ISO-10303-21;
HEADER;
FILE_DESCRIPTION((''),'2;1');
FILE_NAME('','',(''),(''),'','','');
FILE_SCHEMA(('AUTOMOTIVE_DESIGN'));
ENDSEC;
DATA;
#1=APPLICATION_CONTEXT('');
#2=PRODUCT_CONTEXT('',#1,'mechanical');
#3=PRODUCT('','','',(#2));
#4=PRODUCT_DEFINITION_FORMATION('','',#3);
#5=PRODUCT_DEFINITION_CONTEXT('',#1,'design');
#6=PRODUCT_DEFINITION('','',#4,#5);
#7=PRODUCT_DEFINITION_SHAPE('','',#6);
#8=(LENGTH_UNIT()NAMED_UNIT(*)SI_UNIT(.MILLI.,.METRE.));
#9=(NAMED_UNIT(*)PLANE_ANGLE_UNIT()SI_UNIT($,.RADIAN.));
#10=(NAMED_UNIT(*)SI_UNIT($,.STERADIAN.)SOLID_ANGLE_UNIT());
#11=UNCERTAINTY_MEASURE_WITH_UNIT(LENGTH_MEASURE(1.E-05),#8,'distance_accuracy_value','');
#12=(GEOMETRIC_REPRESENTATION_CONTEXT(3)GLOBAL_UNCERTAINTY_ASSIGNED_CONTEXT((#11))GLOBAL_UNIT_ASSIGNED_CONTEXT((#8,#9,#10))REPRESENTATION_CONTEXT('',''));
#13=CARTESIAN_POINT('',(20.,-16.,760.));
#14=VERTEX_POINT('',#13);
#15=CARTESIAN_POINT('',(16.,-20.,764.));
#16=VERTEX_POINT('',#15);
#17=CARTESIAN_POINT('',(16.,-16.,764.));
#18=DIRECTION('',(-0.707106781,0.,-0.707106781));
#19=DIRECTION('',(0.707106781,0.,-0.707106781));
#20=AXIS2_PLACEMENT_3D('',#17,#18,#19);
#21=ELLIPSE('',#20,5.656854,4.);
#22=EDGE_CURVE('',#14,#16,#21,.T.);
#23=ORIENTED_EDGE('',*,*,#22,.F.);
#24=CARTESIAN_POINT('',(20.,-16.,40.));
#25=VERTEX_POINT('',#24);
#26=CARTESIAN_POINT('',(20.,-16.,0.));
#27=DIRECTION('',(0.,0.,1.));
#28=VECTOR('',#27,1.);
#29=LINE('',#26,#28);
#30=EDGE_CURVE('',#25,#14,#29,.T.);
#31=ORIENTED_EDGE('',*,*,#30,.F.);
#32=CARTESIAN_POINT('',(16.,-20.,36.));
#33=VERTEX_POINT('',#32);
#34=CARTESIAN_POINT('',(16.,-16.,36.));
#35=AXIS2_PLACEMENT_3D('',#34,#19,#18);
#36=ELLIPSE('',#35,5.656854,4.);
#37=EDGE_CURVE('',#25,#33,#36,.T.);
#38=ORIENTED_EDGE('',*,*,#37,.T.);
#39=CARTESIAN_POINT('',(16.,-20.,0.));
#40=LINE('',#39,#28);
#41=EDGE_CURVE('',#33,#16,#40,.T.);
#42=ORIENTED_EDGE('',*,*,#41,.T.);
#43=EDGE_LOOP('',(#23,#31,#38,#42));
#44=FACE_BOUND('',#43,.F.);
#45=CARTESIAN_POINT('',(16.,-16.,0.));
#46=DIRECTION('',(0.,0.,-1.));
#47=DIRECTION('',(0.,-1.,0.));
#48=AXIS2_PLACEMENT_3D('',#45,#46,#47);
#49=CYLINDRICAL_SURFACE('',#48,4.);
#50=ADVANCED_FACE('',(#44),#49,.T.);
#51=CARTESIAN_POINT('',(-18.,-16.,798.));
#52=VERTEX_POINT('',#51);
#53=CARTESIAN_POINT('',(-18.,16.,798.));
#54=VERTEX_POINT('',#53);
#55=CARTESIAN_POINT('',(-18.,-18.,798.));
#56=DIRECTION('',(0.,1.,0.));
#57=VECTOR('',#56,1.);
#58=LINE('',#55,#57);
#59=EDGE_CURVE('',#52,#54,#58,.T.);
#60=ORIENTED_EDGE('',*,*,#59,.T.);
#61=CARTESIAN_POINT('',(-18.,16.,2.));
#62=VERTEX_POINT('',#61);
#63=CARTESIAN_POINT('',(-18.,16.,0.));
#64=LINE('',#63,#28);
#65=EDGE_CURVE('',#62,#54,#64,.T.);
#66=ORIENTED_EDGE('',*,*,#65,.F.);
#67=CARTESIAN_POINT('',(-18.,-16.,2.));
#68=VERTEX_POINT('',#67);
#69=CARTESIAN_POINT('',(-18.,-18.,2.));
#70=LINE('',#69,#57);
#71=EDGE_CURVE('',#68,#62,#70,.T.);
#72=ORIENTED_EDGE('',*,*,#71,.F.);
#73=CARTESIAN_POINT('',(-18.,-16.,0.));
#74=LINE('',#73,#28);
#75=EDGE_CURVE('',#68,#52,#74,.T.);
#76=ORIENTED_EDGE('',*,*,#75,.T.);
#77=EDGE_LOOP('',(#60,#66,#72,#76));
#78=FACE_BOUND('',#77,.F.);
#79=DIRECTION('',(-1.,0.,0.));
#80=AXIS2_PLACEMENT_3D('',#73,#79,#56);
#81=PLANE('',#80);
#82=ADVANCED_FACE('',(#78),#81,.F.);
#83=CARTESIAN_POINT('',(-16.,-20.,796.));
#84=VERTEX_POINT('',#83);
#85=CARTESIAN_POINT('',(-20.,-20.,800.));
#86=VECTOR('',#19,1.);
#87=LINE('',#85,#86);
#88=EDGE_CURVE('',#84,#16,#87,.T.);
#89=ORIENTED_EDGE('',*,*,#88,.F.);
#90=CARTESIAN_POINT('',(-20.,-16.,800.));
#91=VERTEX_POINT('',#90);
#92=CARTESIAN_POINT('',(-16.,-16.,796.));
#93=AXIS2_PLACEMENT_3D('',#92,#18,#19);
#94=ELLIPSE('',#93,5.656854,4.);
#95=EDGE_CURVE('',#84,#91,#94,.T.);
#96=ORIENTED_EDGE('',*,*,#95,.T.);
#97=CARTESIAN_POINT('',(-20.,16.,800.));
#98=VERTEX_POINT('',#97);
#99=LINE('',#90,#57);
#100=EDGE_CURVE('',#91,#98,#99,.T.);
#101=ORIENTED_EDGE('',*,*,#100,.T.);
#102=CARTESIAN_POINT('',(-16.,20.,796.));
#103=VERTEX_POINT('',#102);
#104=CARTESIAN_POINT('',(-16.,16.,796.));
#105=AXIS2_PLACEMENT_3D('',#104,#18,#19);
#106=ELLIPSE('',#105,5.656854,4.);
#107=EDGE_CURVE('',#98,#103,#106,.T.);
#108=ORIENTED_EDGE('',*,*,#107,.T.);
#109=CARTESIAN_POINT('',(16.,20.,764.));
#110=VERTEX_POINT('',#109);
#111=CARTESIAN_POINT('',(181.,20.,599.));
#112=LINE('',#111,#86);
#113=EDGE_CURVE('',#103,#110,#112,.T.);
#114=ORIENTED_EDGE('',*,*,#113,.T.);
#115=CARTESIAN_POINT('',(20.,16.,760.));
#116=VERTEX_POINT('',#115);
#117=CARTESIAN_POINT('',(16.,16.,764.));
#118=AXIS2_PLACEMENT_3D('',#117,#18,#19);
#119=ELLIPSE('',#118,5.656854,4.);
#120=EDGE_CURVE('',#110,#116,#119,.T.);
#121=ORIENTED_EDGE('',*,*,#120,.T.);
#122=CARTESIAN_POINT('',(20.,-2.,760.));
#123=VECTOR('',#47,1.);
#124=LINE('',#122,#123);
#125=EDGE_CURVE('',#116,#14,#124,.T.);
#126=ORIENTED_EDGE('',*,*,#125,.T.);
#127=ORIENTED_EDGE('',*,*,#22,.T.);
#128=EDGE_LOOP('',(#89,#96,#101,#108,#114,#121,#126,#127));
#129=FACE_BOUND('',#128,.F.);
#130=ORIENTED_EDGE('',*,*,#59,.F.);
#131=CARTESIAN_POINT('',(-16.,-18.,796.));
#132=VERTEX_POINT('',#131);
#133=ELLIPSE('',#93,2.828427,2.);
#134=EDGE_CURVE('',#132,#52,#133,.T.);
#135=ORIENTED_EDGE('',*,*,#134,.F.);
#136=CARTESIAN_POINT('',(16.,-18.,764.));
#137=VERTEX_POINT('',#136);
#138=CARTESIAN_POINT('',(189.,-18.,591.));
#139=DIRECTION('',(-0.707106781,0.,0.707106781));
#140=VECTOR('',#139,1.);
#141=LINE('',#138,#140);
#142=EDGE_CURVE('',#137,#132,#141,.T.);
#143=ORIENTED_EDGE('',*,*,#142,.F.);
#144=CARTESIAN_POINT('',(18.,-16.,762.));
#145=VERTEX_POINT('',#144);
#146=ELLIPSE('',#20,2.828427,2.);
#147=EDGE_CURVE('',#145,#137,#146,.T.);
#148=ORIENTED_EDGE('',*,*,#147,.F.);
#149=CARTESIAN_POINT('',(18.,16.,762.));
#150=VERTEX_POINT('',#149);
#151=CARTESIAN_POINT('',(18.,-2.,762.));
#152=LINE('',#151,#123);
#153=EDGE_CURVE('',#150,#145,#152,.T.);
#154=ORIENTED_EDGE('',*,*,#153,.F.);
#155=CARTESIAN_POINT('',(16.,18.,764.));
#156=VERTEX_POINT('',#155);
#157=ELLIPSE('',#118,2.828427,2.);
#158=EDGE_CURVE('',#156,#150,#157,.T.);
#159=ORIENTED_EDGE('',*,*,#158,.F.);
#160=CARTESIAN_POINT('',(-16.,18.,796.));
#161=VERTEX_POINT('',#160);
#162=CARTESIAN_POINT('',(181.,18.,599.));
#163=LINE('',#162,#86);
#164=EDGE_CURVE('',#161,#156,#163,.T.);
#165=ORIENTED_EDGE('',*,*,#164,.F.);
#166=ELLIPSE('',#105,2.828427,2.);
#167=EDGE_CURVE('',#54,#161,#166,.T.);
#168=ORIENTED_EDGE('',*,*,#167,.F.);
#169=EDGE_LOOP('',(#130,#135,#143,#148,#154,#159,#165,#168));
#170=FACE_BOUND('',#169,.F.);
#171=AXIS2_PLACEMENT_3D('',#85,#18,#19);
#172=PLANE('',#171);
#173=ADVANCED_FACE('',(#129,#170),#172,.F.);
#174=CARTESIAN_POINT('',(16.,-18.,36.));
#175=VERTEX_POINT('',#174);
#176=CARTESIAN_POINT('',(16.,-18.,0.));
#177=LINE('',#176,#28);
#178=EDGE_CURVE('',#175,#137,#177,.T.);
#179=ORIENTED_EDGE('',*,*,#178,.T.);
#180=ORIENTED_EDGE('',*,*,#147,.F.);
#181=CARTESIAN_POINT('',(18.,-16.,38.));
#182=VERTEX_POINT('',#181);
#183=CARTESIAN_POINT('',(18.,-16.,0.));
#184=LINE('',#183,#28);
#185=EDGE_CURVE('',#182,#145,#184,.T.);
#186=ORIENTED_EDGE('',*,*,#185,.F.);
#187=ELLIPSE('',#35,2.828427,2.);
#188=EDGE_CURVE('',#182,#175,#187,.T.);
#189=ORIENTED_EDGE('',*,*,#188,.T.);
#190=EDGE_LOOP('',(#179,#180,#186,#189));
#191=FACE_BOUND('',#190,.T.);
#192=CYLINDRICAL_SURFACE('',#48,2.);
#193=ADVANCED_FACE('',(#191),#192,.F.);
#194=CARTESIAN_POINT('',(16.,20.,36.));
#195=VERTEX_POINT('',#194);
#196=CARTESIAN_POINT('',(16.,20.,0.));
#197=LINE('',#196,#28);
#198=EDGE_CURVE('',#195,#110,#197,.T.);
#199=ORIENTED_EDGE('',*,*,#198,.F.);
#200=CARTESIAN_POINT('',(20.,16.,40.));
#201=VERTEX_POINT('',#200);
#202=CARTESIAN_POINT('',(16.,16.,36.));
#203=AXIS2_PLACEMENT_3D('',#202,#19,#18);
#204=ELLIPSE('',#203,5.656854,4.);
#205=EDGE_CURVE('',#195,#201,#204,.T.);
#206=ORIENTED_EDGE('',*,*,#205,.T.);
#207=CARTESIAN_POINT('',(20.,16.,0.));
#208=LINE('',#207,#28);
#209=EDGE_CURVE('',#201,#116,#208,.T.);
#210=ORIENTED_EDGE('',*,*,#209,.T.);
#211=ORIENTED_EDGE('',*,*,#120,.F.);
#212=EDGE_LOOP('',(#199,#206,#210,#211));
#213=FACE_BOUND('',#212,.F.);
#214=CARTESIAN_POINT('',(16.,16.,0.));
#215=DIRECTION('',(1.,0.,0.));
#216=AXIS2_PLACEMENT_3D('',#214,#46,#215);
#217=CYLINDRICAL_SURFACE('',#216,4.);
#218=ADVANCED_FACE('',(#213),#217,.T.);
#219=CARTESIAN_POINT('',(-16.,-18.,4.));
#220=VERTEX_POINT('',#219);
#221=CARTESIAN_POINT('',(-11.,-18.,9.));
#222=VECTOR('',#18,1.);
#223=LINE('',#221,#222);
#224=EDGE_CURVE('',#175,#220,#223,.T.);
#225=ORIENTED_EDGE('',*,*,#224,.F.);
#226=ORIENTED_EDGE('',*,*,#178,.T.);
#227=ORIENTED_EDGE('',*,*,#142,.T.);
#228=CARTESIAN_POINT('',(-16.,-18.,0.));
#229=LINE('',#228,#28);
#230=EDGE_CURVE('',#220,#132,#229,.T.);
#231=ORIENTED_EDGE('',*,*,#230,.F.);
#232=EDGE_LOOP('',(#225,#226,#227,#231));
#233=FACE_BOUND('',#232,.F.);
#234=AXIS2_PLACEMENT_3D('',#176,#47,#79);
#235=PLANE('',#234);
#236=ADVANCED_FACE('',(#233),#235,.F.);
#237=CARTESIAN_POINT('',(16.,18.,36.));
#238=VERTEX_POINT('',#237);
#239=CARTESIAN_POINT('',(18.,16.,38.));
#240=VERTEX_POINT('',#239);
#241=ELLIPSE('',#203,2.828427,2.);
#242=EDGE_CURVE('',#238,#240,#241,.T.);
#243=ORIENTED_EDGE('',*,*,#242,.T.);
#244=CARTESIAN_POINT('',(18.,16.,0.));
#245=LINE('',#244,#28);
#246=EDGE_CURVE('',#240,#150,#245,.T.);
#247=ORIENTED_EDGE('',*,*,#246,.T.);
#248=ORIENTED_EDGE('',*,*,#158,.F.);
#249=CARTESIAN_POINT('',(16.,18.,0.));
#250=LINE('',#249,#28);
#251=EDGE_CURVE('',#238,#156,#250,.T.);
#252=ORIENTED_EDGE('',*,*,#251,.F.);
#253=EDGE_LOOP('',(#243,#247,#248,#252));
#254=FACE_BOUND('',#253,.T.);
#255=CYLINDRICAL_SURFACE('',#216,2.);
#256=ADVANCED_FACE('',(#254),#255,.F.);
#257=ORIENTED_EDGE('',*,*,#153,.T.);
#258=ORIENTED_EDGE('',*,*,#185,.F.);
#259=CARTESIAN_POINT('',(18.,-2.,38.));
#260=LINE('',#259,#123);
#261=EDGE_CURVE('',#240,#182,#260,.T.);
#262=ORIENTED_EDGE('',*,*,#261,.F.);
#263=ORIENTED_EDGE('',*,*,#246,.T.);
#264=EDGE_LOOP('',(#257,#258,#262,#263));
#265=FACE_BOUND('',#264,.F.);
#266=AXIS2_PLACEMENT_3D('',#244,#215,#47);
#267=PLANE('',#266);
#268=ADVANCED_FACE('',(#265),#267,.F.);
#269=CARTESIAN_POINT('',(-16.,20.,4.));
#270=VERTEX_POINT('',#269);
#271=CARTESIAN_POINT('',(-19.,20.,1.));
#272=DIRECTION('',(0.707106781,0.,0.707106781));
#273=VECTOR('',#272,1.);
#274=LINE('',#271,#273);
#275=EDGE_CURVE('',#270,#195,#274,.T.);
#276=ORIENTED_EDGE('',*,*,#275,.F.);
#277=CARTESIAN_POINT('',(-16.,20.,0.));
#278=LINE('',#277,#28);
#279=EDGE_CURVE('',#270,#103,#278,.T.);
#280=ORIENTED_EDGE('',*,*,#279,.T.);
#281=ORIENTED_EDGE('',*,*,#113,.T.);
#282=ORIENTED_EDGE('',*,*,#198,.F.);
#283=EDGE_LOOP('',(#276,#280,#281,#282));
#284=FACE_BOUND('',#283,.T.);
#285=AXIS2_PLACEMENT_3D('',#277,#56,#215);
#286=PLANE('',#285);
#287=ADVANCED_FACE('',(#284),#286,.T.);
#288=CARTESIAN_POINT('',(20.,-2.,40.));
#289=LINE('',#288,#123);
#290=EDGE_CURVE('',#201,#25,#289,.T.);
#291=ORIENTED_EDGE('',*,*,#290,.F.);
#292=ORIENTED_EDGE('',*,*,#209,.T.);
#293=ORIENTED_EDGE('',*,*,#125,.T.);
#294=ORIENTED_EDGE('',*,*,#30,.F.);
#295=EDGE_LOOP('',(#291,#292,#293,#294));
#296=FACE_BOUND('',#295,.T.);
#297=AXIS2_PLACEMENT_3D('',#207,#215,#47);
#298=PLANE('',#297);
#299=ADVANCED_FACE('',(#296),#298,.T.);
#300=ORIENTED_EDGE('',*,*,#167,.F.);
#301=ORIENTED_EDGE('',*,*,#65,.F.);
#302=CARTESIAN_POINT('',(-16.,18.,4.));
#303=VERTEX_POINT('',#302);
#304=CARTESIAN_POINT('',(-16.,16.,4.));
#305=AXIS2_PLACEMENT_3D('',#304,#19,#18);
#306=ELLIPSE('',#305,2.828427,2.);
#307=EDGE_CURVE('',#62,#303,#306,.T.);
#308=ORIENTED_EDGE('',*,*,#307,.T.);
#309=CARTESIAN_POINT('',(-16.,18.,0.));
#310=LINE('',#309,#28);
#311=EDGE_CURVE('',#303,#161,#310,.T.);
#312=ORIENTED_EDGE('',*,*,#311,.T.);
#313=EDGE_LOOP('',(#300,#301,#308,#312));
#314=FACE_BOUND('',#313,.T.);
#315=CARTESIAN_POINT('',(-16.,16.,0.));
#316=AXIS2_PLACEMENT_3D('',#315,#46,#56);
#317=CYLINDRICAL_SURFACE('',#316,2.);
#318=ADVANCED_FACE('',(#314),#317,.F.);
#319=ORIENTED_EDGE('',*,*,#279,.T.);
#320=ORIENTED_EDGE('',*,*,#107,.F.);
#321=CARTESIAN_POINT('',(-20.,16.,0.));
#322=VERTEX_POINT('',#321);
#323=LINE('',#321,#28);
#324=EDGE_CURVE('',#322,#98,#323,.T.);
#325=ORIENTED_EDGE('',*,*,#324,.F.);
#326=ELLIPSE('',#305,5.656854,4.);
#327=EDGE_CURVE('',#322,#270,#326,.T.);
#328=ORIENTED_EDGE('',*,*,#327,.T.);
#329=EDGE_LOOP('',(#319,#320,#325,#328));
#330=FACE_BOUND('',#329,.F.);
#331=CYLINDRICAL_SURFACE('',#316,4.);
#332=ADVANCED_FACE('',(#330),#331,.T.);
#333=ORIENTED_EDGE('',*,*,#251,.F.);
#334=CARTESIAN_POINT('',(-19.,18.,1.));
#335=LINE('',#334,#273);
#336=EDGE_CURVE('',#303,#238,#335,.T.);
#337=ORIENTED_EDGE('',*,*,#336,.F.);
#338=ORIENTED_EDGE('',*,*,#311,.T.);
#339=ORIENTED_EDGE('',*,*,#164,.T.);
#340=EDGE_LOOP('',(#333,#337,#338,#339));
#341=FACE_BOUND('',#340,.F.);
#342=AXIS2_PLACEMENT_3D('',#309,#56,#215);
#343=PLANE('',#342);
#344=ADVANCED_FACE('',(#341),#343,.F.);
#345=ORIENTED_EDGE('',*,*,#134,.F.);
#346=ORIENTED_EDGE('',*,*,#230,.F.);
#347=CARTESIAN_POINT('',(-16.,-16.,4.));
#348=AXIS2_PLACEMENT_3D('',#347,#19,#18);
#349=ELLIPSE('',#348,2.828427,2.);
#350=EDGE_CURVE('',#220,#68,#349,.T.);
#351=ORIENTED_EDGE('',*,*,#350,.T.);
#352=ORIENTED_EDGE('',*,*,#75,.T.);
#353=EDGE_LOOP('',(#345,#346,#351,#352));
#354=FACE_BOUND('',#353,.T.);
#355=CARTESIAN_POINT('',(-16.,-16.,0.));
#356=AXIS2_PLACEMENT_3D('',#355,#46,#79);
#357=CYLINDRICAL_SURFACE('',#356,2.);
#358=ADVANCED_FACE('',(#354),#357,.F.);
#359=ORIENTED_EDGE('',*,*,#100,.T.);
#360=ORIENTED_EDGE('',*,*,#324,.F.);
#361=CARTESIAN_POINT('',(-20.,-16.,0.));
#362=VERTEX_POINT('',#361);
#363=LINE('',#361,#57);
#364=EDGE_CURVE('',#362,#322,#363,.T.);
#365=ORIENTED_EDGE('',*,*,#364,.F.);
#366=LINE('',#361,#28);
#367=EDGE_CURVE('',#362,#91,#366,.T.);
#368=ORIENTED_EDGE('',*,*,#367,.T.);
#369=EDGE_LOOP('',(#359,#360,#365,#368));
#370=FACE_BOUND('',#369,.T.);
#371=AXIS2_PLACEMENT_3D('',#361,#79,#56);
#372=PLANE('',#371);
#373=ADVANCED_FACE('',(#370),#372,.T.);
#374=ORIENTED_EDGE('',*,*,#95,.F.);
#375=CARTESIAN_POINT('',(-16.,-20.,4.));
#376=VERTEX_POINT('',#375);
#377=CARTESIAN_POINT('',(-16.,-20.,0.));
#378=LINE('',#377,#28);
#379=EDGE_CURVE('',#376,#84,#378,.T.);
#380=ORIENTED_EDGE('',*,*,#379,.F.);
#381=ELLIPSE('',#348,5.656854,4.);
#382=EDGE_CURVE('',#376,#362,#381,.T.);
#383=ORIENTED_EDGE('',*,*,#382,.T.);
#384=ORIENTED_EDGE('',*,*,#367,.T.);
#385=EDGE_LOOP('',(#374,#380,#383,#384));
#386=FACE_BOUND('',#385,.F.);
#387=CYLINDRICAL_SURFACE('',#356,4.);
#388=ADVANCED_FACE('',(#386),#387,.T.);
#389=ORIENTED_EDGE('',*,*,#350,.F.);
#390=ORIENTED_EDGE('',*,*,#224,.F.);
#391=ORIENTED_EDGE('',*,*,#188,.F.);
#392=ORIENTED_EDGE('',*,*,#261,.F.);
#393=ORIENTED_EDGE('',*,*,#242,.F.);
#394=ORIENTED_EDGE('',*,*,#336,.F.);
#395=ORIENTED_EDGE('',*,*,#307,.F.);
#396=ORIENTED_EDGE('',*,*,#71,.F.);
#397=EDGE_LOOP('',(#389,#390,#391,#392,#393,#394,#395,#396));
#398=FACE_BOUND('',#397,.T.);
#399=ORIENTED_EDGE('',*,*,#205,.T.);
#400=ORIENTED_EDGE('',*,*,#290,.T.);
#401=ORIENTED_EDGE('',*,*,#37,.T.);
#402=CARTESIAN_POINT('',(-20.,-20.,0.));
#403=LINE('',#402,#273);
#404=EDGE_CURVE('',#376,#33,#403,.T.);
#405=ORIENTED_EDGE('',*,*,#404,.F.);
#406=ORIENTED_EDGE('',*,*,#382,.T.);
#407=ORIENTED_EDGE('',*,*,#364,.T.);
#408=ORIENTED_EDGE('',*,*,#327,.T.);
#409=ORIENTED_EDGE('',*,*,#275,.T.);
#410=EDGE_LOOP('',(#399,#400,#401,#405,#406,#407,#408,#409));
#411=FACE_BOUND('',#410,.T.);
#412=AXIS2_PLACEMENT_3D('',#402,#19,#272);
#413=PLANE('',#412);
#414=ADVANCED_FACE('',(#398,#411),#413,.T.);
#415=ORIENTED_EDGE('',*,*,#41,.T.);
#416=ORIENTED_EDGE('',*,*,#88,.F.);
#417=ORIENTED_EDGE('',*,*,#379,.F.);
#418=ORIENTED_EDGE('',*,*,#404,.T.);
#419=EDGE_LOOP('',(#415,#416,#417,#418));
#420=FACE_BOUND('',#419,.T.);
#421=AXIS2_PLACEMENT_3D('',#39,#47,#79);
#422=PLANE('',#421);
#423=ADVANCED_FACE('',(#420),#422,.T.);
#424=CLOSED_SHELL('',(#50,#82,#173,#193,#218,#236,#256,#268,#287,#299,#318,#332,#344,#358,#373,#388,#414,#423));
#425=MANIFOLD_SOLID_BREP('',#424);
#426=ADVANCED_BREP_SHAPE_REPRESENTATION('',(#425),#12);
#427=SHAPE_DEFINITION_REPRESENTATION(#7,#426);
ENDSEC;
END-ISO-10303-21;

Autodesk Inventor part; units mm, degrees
ref_plane "YZ Plane" through (0, 0, 0) normal (1, 0, 0) x (0, 1, 0)
ref_plane "Piano iniziale" through (0, 0, 0) normal (0, 0, 1) x (1, 0, 0)
ref_plane "Piano finale" through (0, 0, 800) normal (0, 0, 1) x (1, 0, 0)
sketch "Schizzo" plane through (0, 0, 0) normal (0, 0, 1) x (1, 0, 0)
  line L0 (-20, -16) -> (-20, 16)
  line L1 (-16, 20) -> (16, 20)
  line L2 (20, 16) -> (20, -16)
  line L3 (16, -20) -> (-16, -20)
  arc A0 (-20, -16) -> (-16, -20) centre (-16, -16) ccw
  arc A1 (20, 16) -> (16, 20) centre (16, 16) ccw
  arc A2 (-16, 20) -> (-20, 16) centre (-16, 16) ccw
  arc A3 (16, -20) -> (20, -16) centre (16, -16) ccw
  arc A4 (-16, 18) -> (-18, 16) centre (-16, 16) ccw
  line L4 (-16, 18) -> (16, 18)
  arc A5 (18, 16) -> (16, 18) centre (16, 16) ccw
  line L5 (18, 16) -> (18, -16)
  arc A6 (16, -18) -> (18, -16) centre (16, -16) ccw
  line L6 (16, -18) -> (-16, -18)
  arc A7 (-18, -16) -> (-16, -18) centre (-16, -16) ccw
  line L7 (-18, -16) -> (-18, 16)
  line L8 (0, 29.1598) -> (0, -29.1598) construction
  line L9 (-29.1598, 0) -> (29.1598, 0) construction
  dimension "d7" = 4
  dimension "d9" = 40
  dimension "d11" = 40
  dimension "d12" = 2
  dimension "d15" = 20
  dimension "d16" = 20
extrude "Corpo" add sketch "Schizzo" along normal up to surface (800 mm away) from surface at 0
sketch "Sketch3" plane through (0, 0, 0) normal (0, 0, 1) x (1, 0, 0)
  line L0 (0, 0) -> (10, 0)
ref_plane "Work Plane3" through (0, 0, 0) normal (0, -1, 0) x (1, 0, 0)
sketch "Sketch4" plane through (0, 0, 0) normal (0, -1, 0) x (1, 0, 0)
  line L0 (-2, 0) -> (12, 0)
  line L1 (-2, 800) -> (12, 800)
  dimension "d18" = 800
sketch "Schizzo5" plane through (-16, -20, 0) normal (0, -1, 0) x (1, 0, 0)
  line L0 (-4, 0) -> (-4, 800) projected
  line L1 (-4, 0) -> (0, 0) projected
  line L2 (-4, 800) -> (0, 800) projected
  line L3 (-4, 800) -> (0, 800) projected
  line L4 (-4, 800) -> (46.6766, 749.3234)
  line L5 (-4, 800) -> (67.6675, 800) construction
  line L6 (46.6766, 749.3234) -> (46.6766, 833.8871)
  line L7 (46.6766, 833.8871) -> (-4, 800)
  line L8 (-4, 0) -> (55.8193, 59.8193)
  line L9 (-4, 0) -> (80.5973, 0) construction
  line L10 (55.8193, 59.8193) -> (55.8193, -51.0015)
  line L11 (55.8193, -51.0015) -> (-4, 0)
  point P0 (16, 0)
  dimension "d19" = 45
  dimension "d20" = 45
extrude "Estrusione2" cut sketch "Schizzo5" against normal up to next
equation "\"d7\" = G_IR"
equation "\"d9\" = G_W"
equation "\"d11\" = G_H"
equation "\"d12\" = G_T"
equation "\"d15\" = 0.5 * d9"
equation "\"d16\" = 0.5 * d11"
equation "\"d3\" = G_L"
equation "\"G_W\" = 40"
equation "\"G_H\" = 40"
equation "\"G_T\" = 2"
equation "\"G_IR\" = 4"
equation "\"G_L\" = d18"
equation "\"G_OFFSET_START\" = 0"
equation "\"G_OFFSET_END\" = 0"
properties part number "ISO 10799-2 - 40x40x2 - 800" material "Acciaio, Dolce"
